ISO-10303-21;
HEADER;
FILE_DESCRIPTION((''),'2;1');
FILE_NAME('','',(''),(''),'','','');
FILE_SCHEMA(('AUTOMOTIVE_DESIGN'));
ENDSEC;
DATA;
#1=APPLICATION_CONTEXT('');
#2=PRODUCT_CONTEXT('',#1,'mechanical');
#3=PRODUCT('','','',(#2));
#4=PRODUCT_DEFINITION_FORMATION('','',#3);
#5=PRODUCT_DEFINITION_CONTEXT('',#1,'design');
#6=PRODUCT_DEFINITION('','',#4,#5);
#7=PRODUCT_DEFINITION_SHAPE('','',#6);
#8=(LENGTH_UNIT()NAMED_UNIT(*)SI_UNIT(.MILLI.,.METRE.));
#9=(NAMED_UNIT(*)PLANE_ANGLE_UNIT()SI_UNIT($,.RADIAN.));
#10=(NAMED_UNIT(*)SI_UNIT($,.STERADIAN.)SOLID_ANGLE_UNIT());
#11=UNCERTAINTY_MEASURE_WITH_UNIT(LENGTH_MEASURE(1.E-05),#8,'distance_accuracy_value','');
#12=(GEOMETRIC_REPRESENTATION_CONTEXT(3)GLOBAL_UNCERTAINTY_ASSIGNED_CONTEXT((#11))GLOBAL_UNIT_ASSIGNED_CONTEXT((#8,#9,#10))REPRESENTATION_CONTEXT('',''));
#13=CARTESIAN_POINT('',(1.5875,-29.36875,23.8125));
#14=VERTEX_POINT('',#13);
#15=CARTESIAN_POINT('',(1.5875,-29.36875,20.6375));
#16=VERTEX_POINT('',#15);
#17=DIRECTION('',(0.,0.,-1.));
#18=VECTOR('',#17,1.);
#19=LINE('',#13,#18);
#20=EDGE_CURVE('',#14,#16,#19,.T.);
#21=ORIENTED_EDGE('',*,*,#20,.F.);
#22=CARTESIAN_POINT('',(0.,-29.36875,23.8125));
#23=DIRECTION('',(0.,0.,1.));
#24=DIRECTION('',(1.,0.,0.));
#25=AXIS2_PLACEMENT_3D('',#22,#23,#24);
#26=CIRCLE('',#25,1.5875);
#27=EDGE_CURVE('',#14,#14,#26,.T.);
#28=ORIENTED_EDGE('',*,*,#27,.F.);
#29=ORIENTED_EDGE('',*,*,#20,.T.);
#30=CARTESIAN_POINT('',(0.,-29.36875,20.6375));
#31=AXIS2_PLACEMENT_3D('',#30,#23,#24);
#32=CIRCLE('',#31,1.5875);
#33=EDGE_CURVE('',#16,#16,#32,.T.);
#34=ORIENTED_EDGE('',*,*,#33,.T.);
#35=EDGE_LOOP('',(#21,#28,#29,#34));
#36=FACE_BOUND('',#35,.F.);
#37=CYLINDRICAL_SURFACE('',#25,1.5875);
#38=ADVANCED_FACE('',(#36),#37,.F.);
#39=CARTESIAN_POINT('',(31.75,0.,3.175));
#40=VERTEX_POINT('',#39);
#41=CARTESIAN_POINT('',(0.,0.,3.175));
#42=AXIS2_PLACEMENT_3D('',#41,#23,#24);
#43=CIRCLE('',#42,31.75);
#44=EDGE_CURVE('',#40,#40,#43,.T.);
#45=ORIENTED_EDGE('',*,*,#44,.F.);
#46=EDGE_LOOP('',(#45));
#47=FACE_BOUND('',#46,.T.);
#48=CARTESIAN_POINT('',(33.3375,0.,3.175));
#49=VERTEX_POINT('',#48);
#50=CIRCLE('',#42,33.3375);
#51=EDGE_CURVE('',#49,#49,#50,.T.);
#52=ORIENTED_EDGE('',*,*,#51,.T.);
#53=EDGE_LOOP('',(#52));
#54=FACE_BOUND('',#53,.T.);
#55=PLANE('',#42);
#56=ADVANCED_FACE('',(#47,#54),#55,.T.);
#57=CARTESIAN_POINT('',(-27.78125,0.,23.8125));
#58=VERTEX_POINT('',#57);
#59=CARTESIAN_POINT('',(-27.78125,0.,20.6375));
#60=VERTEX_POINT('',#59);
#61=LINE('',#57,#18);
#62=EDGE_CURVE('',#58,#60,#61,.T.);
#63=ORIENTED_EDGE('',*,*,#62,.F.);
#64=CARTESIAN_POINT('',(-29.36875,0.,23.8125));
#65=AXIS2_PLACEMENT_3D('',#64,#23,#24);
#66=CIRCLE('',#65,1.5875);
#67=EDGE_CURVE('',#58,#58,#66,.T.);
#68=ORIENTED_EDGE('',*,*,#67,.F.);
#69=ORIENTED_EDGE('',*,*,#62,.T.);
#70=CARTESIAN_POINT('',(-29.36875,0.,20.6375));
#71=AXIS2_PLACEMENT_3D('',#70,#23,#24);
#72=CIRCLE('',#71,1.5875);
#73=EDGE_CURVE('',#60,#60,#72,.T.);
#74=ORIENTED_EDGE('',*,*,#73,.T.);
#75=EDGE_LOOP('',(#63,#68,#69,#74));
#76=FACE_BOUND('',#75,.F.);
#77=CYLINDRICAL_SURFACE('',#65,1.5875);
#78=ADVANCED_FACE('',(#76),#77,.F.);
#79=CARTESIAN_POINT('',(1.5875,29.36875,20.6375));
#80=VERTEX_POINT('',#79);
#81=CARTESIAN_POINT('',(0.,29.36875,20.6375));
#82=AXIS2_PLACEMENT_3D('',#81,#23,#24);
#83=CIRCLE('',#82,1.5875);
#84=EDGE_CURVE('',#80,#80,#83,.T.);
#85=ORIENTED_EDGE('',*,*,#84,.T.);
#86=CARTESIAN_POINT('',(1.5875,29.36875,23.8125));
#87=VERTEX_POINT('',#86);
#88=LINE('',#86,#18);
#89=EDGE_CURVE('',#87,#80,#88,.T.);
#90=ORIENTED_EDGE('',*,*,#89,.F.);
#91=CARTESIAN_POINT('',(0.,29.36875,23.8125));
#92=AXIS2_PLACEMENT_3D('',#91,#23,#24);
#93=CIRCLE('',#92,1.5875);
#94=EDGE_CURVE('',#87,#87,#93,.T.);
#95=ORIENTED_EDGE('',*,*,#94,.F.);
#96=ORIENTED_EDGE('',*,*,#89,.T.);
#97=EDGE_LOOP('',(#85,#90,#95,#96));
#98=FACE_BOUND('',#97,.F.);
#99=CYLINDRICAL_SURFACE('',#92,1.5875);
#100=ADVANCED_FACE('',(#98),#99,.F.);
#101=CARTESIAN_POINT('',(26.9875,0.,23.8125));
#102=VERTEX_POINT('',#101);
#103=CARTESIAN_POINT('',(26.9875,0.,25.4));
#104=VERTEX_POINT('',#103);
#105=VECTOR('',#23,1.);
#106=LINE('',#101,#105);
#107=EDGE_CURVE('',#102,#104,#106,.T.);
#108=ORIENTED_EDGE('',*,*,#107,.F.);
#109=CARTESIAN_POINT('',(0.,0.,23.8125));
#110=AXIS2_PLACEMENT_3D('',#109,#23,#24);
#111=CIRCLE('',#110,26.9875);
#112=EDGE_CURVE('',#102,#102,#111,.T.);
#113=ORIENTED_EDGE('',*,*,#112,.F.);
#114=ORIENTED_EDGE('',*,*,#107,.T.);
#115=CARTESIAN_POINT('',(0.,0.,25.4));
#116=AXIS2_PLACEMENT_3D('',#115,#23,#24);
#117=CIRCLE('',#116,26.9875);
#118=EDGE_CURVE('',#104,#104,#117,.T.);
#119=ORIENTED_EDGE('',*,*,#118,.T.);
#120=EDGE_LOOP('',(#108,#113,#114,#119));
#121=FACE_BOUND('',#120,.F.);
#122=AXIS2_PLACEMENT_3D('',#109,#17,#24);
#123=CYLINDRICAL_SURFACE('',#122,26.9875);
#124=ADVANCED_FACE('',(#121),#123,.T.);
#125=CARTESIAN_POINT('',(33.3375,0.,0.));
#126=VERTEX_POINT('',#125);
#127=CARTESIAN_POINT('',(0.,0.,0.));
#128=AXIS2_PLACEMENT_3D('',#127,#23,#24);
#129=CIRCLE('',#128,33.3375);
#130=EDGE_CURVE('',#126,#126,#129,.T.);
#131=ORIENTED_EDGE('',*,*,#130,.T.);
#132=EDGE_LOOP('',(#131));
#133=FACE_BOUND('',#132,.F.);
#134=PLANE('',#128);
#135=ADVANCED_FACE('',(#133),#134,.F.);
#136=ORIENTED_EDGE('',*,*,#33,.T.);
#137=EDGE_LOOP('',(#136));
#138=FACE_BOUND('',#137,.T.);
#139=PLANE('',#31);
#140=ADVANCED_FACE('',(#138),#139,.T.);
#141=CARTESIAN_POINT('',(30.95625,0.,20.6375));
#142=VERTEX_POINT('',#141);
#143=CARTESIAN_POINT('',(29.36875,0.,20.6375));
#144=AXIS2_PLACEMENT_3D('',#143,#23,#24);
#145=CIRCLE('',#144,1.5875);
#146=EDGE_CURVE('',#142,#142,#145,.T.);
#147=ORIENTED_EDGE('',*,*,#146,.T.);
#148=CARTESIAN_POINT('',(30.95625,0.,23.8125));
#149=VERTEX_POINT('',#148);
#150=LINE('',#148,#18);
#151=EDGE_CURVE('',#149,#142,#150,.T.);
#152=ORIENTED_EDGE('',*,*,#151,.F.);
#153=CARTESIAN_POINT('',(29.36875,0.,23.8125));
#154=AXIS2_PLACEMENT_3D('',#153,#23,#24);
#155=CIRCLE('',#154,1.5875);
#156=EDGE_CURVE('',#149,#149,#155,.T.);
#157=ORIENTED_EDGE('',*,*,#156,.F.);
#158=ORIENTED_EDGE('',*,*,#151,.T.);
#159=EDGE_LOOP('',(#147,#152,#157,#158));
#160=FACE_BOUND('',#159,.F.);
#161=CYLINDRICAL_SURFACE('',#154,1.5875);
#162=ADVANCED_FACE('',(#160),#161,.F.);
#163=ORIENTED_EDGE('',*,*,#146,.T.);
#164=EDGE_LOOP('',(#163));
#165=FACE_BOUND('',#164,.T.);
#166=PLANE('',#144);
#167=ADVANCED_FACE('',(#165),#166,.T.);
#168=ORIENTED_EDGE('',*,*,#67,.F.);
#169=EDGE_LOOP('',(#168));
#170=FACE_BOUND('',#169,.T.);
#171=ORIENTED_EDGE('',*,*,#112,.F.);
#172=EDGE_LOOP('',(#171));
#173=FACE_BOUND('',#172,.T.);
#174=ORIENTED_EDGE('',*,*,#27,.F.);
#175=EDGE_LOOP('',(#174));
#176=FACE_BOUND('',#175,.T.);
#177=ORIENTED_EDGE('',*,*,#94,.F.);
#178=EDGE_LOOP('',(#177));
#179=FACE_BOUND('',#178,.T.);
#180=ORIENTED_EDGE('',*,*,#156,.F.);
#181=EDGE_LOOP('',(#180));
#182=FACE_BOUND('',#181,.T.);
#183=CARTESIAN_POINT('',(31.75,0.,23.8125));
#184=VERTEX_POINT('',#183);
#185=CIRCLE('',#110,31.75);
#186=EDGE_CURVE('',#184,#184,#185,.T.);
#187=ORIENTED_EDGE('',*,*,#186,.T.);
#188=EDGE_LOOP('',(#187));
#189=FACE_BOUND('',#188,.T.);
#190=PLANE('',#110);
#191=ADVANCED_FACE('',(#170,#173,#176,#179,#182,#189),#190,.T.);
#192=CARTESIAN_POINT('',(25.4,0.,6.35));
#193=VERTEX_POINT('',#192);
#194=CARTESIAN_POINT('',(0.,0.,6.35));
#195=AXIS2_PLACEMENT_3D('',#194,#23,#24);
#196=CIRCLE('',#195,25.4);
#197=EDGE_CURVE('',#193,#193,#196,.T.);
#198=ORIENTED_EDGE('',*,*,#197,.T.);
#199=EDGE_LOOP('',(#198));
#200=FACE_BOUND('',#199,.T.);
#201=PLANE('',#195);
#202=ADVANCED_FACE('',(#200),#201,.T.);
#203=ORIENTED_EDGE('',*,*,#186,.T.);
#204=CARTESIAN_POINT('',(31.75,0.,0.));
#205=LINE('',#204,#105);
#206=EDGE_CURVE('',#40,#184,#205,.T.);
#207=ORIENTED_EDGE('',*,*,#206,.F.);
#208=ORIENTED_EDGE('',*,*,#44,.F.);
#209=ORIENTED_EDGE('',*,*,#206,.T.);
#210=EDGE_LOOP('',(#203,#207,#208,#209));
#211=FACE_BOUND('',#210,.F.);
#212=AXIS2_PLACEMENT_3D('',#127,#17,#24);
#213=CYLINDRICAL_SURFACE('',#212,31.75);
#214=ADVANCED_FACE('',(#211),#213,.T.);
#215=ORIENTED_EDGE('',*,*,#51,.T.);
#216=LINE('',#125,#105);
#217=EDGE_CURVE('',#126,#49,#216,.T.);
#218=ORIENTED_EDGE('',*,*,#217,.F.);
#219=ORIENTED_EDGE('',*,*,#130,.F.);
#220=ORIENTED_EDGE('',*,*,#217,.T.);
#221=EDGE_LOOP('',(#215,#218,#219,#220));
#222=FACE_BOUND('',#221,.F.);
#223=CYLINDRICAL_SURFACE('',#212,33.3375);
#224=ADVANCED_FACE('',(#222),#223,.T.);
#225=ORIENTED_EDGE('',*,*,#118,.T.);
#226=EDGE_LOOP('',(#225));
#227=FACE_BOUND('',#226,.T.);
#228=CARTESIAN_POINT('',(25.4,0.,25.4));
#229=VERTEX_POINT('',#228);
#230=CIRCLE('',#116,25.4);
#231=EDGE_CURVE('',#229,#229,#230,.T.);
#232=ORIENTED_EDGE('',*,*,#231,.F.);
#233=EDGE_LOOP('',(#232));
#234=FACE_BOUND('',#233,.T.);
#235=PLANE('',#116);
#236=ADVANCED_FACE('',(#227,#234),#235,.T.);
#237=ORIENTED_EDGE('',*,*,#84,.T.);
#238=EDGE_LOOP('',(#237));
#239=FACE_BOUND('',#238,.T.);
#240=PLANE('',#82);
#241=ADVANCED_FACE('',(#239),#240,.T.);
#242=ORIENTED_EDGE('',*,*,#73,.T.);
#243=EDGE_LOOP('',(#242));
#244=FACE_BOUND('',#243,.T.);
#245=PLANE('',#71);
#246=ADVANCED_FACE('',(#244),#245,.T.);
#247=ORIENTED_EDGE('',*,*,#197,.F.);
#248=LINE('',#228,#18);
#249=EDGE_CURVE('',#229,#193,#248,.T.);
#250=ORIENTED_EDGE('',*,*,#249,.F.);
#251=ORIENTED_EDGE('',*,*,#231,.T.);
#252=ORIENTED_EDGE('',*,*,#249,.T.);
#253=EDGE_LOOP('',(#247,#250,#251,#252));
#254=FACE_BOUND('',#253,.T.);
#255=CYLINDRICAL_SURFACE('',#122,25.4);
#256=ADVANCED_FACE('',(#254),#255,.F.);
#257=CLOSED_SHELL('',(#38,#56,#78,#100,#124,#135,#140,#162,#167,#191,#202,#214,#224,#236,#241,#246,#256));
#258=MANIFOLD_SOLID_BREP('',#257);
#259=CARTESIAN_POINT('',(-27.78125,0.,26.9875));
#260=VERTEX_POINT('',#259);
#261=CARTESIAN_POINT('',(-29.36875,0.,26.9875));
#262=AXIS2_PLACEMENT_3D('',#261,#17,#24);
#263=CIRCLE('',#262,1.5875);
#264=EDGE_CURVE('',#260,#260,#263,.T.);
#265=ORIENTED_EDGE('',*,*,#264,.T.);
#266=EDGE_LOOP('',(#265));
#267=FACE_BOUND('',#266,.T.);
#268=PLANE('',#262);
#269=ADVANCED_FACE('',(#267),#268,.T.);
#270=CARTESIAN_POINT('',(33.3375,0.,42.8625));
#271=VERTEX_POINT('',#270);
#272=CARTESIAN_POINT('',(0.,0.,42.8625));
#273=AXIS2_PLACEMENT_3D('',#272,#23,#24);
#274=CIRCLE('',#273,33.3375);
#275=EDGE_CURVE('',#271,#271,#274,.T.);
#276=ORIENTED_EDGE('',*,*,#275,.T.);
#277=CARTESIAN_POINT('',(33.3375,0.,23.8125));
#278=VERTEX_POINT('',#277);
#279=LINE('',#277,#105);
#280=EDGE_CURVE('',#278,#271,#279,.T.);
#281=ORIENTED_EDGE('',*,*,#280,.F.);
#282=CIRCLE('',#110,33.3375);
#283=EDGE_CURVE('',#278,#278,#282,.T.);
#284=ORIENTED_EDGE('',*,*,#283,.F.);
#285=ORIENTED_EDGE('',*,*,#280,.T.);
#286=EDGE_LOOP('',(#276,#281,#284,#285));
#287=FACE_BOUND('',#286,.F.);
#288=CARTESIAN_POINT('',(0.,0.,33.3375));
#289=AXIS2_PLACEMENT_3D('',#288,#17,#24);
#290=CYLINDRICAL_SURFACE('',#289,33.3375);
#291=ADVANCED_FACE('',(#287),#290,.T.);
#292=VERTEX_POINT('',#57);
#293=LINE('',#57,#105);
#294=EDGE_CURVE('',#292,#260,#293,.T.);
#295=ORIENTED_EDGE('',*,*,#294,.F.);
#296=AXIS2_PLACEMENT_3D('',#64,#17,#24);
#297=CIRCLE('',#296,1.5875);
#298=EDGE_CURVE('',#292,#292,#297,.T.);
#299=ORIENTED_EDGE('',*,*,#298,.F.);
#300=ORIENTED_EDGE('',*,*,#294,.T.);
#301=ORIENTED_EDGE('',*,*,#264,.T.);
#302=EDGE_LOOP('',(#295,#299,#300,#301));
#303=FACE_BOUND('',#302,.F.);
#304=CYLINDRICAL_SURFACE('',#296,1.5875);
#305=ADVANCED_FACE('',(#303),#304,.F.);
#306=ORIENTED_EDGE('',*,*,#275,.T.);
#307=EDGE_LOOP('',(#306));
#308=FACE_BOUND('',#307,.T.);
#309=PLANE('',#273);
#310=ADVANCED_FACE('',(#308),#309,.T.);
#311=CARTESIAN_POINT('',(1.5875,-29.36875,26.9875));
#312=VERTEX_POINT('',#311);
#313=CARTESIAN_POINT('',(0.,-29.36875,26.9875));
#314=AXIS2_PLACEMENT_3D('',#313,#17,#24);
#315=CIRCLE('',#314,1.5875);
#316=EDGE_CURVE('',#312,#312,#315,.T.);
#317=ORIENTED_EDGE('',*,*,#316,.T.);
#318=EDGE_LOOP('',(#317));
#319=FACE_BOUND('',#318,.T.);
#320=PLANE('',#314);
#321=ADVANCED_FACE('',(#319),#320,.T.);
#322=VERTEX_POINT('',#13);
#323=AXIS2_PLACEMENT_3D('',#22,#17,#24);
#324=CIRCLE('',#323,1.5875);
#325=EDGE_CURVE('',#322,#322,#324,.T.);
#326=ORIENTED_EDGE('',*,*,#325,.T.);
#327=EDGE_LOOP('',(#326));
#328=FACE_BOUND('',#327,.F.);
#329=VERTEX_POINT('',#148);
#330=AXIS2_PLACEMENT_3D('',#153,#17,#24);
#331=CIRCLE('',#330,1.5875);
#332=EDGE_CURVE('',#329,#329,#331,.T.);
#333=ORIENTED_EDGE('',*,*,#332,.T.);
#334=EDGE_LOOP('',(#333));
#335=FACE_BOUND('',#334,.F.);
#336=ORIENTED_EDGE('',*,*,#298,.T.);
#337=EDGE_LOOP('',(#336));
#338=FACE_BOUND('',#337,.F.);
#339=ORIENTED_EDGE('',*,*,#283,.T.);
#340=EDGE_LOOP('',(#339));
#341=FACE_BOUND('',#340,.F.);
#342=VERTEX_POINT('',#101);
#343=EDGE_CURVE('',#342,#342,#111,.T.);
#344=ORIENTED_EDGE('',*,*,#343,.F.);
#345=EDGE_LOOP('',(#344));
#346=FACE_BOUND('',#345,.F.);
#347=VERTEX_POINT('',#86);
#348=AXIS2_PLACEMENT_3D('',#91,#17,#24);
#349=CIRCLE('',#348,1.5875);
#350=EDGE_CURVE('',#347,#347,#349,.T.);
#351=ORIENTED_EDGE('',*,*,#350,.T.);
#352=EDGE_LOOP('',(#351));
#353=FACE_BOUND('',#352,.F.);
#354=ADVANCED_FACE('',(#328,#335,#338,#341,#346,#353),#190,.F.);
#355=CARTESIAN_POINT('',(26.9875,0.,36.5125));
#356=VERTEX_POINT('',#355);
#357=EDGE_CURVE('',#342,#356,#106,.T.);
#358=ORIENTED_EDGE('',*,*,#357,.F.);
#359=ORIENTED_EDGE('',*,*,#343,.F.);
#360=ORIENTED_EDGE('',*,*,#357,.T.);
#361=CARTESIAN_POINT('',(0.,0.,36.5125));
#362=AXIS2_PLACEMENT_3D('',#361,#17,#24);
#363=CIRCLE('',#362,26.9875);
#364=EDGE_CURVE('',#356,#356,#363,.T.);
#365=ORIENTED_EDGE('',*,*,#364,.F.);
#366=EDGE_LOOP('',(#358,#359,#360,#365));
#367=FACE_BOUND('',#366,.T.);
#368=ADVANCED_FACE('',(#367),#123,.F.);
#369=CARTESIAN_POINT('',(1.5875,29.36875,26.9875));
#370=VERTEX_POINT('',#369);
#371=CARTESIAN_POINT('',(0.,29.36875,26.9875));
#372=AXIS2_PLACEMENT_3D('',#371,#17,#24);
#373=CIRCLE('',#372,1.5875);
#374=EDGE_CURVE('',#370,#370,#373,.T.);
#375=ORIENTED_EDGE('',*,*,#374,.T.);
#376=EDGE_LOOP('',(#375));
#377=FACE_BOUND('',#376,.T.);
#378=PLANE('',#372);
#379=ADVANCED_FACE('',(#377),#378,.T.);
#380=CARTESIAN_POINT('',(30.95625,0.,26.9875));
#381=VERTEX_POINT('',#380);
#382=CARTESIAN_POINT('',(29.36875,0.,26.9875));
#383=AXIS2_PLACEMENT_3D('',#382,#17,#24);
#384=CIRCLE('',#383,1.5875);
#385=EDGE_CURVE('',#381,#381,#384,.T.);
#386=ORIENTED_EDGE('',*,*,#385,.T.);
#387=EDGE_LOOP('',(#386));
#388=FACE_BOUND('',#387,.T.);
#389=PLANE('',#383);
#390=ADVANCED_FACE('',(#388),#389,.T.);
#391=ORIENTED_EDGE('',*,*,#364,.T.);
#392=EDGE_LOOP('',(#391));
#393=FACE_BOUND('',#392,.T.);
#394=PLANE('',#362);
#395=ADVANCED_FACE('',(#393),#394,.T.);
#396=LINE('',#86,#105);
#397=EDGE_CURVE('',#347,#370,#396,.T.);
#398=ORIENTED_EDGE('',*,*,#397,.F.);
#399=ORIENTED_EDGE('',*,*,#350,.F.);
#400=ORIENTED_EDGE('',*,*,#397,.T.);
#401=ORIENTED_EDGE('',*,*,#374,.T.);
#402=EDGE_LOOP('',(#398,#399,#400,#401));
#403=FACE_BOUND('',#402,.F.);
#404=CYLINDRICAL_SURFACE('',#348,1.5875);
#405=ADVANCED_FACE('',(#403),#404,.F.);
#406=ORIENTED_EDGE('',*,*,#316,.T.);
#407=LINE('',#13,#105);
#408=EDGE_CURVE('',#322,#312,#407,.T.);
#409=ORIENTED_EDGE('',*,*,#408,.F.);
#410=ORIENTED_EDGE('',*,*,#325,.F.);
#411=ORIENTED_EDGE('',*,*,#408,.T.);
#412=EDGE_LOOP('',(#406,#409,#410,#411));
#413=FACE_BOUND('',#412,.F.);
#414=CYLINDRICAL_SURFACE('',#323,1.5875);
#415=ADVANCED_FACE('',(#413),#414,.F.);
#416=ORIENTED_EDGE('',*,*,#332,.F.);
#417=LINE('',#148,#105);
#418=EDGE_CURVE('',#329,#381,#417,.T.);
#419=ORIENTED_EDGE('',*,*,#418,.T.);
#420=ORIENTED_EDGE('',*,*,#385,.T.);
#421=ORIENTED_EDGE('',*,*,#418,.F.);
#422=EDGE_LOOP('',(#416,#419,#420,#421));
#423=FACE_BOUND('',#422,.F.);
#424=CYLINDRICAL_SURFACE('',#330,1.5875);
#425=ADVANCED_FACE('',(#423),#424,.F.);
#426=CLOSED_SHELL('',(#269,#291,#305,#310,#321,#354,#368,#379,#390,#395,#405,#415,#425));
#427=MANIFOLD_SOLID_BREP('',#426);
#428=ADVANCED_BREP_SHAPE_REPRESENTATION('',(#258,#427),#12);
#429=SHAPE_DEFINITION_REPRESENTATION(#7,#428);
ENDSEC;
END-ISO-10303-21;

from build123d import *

# Parameters (mm, degrees)
F0_R       = 25.4
F1_DEPTH   = 6.35
F0_R_2     = 31.75
F2_DEPTH   = 23.8125
F0_R_3     = 33.3375
F3_DEPTH   = 3.175
F4_R       = 26.9875
F4_R_2     = 25.4
F5_DEPTH   = 1.5875
F7_R       = 33.3375
F7_R_2     = 26.9875
F8_DEPTH   = 9.525
F9_R       = 33.3375
F10_DEPTH  = 9.525
F11_R      = 1.5875
F12_DEPTH  = 3.175
F6_R       = 1.5875
F13_DEPTH  = 3.175
F10_FACE_R = 26.9875
F14_DEPTH  = 3.175


with BuildPart() as f1:
    # F0 (on Top) → F1 (new body)
    with BuildSketch(Plane.XY):
        Circle(F0_R)
    extrude(amount=F1_DEPTH)

    # F0 (on Top) → F2 (join)
    with BuildSketch(Plane.XY):
        Circle(F0_R_2)
        Circle(F0_R, mode=Mode.SUBTRACT)
    extrude(amount=F2_DEPTH)

    # F0 (on Top) → F3 (join)
    with BuildSketch(Plane.XY):
        Circle(F0_R_3)
        Circle(F0_R_2, mode=Mode.SUBTRACT)
    extrude(amount=F3_DEPTH)

    # F4 (on face) → F5 (join)
    with BuildSketch(Plane.XY.offset(23.8125)):
        Circle(F4_R)
        Circle(F4_R_2, mode=Mode.SUBTRACT)
    extrude(amount=F5_DEPTH)

    # F6 (on face) → F13 (cut)
    with BuildSketch(Plane.XY.offset(23.8125)):
        with Locations((29.36875, 0)):
            Circle(F6_R)
        with Locations((-29.36875, 0)):
            Circle(F6_R)
        with Locations((0, 29.36875)):
            Circle(F6_R)
        with Locations((0, -29.36875)):
            Circle(F6_R)
    extrude(amount=-F13_DEPTH, mode=Mode.SUBTRACT)


with BuildPart() as f8:
    # F7 (on face) → F8 (new body)
    with BuildSketch(Plane.XY.offset(23.8125)):
        Circle(F7_R)
        Circle(F7_R_2, mode=Mode.SUBTRACT)
    extrude(amount=F8_DEPTH)

    # F9 (on face) → F10 (join)
    with BuildSketch(Plane.XY.offset(33.3375)):
        Circle(F9_R)
    extrude(amount=F10_DEPTH)

    # F11 (on face) → F12 (cut)
    with BuildSketch(Plane(origin=(0, 0, 23.8125), x_dir=(1, 0, 0), z_dir=(0, 0, -1))):
        with Locations((29.36875, 0)):
            Circle(F11_R)
        with Locations((0, -29.36875)):
            Circle(F11_R)
        with Locations((-29.36875, 0)):
            Circle(F11_R)
        with Locations((0, 29.36875)):
            Circle(F11_R)
    extrude(amount=-F12_DEPTH, mode=Mode.SUBTRACT)

    # F10_face (on face) → F14 (cut)
    with BuildSketch(Plane(origin=(0, 0, 33.3375), x_dir=(1, 0, 0), z_dir=(0, 0, -1))):
        Circle(F10_FACE_R)
    extrude(amount=-F14_DEPTH, mode=Mode.SUBTRACT)


solid = Compound([f1.part, f8.part])
